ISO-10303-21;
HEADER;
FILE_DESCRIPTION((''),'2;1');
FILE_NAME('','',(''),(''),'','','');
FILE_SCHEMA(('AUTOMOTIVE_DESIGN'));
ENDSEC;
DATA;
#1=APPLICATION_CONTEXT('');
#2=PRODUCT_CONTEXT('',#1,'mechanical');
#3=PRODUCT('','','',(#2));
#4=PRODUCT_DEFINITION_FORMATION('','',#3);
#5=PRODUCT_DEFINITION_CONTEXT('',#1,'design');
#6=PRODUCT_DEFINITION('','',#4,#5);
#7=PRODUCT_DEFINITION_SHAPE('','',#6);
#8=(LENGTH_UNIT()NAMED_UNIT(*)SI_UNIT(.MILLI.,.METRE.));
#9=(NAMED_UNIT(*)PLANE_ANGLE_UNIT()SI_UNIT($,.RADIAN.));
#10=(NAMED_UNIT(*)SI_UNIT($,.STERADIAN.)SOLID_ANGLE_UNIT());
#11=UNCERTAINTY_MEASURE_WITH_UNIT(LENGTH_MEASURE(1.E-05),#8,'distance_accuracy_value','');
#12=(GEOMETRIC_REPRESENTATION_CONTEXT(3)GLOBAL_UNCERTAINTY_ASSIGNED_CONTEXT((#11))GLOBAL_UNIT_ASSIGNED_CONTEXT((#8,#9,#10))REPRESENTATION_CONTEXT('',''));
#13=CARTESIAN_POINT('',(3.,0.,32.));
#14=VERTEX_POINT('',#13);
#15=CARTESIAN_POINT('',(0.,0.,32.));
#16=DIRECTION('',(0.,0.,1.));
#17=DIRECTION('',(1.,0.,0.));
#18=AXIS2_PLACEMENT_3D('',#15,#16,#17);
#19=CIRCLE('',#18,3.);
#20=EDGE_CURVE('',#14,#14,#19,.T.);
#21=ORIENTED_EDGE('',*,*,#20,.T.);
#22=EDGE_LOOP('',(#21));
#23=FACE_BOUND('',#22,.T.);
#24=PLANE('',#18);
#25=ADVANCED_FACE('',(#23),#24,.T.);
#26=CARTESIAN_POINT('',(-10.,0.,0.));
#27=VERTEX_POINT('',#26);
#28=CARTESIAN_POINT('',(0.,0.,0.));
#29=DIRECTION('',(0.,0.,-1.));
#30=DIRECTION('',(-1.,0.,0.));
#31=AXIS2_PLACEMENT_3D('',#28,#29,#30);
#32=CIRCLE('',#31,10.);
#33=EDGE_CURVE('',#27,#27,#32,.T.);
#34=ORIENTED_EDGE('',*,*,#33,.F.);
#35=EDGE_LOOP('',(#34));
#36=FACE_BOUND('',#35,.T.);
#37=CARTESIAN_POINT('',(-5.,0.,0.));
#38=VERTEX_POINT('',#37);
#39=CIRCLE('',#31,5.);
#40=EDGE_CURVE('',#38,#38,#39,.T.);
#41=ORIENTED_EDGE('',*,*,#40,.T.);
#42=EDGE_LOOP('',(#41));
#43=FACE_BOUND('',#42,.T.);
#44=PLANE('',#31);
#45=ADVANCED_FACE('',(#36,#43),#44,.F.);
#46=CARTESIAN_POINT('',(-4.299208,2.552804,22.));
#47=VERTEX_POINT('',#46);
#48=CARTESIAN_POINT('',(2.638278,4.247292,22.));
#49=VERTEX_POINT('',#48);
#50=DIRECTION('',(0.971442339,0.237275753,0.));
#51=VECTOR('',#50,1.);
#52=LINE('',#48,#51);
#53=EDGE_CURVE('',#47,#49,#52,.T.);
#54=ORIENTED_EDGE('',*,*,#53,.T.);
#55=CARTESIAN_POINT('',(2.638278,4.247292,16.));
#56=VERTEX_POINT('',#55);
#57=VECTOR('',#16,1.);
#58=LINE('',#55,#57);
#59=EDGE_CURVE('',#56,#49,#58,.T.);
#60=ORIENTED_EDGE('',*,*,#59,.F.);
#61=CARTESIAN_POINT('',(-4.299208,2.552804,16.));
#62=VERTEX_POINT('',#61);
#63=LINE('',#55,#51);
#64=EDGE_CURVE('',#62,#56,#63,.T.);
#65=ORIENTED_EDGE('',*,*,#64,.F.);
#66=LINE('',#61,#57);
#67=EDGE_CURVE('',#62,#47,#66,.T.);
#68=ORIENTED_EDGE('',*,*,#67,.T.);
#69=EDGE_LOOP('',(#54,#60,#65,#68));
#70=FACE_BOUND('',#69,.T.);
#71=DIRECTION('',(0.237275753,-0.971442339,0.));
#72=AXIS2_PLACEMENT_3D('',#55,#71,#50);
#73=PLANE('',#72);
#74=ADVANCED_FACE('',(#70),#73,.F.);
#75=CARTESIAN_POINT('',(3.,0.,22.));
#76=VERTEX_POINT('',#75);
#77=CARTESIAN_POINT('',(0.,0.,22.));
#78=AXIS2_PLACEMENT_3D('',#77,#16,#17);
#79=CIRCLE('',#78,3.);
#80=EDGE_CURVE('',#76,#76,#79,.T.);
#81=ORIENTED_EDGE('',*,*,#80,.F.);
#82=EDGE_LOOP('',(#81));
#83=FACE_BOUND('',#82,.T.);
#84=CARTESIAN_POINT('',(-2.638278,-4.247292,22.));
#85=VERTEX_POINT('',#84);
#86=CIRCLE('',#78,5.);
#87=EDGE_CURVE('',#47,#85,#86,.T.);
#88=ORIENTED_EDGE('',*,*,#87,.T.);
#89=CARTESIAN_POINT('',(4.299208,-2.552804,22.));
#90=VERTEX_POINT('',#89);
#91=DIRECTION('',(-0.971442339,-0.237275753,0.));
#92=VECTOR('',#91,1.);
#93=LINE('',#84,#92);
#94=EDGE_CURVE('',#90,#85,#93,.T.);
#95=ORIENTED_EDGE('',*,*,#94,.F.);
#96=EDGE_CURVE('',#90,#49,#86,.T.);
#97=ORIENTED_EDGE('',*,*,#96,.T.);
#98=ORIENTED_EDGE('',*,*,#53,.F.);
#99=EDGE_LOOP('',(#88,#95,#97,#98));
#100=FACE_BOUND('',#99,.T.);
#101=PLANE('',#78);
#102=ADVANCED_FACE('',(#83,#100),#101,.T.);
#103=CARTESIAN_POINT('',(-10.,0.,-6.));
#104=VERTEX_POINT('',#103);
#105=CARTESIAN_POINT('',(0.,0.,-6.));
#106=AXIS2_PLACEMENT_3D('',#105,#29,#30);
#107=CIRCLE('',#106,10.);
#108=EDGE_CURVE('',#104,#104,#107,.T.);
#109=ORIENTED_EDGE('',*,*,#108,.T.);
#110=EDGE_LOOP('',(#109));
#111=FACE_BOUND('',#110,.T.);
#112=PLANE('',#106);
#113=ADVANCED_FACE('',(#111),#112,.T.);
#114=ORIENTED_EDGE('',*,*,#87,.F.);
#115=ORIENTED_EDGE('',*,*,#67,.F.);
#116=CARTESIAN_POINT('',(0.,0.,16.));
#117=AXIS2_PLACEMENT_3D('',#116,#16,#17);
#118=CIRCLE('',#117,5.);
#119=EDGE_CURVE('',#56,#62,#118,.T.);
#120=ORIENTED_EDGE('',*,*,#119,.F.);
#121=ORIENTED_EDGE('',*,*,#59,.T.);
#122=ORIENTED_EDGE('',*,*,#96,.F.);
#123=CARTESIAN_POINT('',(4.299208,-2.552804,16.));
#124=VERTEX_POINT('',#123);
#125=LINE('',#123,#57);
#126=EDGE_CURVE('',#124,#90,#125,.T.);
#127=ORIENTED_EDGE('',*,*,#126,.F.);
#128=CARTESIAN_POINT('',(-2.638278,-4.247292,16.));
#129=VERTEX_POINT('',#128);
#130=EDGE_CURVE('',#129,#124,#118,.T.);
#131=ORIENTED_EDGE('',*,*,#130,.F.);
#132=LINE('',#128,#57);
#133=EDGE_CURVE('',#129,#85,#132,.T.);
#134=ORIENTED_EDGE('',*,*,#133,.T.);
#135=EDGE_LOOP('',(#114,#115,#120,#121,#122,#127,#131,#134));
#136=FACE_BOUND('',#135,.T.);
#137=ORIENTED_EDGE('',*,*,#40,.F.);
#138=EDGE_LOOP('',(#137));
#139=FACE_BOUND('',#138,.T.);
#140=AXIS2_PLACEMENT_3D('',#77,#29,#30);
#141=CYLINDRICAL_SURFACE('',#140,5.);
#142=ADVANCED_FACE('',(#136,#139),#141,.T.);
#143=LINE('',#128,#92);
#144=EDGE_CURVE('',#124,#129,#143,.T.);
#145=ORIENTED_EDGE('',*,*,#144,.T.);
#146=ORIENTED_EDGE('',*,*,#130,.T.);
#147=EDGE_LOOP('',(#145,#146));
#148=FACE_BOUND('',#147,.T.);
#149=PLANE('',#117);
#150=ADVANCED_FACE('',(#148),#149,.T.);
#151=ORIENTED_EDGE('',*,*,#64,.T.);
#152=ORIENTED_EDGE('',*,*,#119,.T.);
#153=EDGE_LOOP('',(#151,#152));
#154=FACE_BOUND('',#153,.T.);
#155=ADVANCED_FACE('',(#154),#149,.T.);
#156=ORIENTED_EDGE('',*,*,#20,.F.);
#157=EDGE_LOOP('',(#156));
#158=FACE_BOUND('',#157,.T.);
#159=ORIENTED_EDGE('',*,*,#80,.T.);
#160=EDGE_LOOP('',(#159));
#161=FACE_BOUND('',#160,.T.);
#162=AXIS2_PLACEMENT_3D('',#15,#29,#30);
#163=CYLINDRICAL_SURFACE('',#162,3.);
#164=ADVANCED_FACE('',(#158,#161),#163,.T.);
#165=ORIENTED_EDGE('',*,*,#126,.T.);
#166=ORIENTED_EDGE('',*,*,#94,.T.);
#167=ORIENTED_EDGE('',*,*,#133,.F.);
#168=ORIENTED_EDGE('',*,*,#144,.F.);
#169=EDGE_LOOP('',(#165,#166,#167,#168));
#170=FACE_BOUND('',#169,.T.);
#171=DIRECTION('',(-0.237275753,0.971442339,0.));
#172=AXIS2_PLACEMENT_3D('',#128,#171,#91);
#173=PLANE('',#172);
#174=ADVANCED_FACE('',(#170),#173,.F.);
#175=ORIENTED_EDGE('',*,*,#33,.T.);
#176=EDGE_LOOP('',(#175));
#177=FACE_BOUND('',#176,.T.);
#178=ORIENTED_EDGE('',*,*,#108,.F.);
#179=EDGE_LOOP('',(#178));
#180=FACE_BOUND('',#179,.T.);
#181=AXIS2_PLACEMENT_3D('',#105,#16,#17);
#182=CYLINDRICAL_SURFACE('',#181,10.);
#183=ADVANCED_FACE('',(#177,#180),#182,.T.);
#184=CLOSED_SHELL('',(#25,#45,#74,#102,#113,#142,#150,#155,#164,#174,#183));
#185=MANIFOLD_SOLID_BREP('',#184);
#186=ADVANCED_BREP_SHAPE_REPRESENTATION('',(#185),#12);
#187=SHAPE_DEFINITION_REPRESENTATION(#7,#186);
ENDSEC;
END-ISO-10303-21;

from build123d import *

# Parameters (mm, degrees)
SKETCH1_R           = 5
BOSS_EXTRUDE1_DEPTH = 22
CUT_EXTRUDE1_START  = -6
CUT_EXTRUDE1_DEPTH  = 6
SKETCH3_R           = 3
BOSS_EXTRUDE2_DEPTH = 10
SKETCH4_R           = 10
BOSS_EXTRUDE3_DEPTH = 6


with BuildPart() as part:
    # Sketch1 → Boss-Extrude1 (new body)
    with BuildSketch(Plane.XY):
        Circle(SKETCH1_R)
    extrude(amount=BOSS_EXTRUDE1_DEPTH)

    # Sketch2 → Cut-Extrude1 (cut)
    with BuildSketch(Plane.XY.offset(22).offset(CUT_EXTRUDE1_START)):
        with BuildLine():
            Line((2.638277831, 4.247292089), (-4.299208102, 2.552804281))
            ThreePointArc((-4.299208102, 2.552804281), (-1.186378765, 4.857211693), (2.638277831, 4.247292089))
        make_face()
        with BuildLine():
            Line((-2.638277831, -4.247292089), (4.299208102, -2.552804281))
            ThreePointArc((4.299208102, -2.552804281), (1.186378765, -4.857211693), (-2.638277831, -4.247292089))
        make_face()
    extrude(amount=CUT_EXTRUDE1_DEPTH, mode=Mode.SUBTRACT)

    # Sketch3 → Boss-Extrude2 (add)
    with BuildSketch(Plane.XY.offset(22)):
        Circle(SKETCH3_R)
    extrude(amount=BOSS_EXTRUDE2_DEPTH)

    # Sketch4 → Boss-Extrude3 (add)
    with BuildSketch(Plane(origin=(0, 0, 0), x_dir=(-1, 0, 0), z_dir=(0, 0, -1))):
        Circle(SKETCH4_R)
    extrude(amount=BOSS_EXTRUDE3_DEPTH)


solid = part.part
